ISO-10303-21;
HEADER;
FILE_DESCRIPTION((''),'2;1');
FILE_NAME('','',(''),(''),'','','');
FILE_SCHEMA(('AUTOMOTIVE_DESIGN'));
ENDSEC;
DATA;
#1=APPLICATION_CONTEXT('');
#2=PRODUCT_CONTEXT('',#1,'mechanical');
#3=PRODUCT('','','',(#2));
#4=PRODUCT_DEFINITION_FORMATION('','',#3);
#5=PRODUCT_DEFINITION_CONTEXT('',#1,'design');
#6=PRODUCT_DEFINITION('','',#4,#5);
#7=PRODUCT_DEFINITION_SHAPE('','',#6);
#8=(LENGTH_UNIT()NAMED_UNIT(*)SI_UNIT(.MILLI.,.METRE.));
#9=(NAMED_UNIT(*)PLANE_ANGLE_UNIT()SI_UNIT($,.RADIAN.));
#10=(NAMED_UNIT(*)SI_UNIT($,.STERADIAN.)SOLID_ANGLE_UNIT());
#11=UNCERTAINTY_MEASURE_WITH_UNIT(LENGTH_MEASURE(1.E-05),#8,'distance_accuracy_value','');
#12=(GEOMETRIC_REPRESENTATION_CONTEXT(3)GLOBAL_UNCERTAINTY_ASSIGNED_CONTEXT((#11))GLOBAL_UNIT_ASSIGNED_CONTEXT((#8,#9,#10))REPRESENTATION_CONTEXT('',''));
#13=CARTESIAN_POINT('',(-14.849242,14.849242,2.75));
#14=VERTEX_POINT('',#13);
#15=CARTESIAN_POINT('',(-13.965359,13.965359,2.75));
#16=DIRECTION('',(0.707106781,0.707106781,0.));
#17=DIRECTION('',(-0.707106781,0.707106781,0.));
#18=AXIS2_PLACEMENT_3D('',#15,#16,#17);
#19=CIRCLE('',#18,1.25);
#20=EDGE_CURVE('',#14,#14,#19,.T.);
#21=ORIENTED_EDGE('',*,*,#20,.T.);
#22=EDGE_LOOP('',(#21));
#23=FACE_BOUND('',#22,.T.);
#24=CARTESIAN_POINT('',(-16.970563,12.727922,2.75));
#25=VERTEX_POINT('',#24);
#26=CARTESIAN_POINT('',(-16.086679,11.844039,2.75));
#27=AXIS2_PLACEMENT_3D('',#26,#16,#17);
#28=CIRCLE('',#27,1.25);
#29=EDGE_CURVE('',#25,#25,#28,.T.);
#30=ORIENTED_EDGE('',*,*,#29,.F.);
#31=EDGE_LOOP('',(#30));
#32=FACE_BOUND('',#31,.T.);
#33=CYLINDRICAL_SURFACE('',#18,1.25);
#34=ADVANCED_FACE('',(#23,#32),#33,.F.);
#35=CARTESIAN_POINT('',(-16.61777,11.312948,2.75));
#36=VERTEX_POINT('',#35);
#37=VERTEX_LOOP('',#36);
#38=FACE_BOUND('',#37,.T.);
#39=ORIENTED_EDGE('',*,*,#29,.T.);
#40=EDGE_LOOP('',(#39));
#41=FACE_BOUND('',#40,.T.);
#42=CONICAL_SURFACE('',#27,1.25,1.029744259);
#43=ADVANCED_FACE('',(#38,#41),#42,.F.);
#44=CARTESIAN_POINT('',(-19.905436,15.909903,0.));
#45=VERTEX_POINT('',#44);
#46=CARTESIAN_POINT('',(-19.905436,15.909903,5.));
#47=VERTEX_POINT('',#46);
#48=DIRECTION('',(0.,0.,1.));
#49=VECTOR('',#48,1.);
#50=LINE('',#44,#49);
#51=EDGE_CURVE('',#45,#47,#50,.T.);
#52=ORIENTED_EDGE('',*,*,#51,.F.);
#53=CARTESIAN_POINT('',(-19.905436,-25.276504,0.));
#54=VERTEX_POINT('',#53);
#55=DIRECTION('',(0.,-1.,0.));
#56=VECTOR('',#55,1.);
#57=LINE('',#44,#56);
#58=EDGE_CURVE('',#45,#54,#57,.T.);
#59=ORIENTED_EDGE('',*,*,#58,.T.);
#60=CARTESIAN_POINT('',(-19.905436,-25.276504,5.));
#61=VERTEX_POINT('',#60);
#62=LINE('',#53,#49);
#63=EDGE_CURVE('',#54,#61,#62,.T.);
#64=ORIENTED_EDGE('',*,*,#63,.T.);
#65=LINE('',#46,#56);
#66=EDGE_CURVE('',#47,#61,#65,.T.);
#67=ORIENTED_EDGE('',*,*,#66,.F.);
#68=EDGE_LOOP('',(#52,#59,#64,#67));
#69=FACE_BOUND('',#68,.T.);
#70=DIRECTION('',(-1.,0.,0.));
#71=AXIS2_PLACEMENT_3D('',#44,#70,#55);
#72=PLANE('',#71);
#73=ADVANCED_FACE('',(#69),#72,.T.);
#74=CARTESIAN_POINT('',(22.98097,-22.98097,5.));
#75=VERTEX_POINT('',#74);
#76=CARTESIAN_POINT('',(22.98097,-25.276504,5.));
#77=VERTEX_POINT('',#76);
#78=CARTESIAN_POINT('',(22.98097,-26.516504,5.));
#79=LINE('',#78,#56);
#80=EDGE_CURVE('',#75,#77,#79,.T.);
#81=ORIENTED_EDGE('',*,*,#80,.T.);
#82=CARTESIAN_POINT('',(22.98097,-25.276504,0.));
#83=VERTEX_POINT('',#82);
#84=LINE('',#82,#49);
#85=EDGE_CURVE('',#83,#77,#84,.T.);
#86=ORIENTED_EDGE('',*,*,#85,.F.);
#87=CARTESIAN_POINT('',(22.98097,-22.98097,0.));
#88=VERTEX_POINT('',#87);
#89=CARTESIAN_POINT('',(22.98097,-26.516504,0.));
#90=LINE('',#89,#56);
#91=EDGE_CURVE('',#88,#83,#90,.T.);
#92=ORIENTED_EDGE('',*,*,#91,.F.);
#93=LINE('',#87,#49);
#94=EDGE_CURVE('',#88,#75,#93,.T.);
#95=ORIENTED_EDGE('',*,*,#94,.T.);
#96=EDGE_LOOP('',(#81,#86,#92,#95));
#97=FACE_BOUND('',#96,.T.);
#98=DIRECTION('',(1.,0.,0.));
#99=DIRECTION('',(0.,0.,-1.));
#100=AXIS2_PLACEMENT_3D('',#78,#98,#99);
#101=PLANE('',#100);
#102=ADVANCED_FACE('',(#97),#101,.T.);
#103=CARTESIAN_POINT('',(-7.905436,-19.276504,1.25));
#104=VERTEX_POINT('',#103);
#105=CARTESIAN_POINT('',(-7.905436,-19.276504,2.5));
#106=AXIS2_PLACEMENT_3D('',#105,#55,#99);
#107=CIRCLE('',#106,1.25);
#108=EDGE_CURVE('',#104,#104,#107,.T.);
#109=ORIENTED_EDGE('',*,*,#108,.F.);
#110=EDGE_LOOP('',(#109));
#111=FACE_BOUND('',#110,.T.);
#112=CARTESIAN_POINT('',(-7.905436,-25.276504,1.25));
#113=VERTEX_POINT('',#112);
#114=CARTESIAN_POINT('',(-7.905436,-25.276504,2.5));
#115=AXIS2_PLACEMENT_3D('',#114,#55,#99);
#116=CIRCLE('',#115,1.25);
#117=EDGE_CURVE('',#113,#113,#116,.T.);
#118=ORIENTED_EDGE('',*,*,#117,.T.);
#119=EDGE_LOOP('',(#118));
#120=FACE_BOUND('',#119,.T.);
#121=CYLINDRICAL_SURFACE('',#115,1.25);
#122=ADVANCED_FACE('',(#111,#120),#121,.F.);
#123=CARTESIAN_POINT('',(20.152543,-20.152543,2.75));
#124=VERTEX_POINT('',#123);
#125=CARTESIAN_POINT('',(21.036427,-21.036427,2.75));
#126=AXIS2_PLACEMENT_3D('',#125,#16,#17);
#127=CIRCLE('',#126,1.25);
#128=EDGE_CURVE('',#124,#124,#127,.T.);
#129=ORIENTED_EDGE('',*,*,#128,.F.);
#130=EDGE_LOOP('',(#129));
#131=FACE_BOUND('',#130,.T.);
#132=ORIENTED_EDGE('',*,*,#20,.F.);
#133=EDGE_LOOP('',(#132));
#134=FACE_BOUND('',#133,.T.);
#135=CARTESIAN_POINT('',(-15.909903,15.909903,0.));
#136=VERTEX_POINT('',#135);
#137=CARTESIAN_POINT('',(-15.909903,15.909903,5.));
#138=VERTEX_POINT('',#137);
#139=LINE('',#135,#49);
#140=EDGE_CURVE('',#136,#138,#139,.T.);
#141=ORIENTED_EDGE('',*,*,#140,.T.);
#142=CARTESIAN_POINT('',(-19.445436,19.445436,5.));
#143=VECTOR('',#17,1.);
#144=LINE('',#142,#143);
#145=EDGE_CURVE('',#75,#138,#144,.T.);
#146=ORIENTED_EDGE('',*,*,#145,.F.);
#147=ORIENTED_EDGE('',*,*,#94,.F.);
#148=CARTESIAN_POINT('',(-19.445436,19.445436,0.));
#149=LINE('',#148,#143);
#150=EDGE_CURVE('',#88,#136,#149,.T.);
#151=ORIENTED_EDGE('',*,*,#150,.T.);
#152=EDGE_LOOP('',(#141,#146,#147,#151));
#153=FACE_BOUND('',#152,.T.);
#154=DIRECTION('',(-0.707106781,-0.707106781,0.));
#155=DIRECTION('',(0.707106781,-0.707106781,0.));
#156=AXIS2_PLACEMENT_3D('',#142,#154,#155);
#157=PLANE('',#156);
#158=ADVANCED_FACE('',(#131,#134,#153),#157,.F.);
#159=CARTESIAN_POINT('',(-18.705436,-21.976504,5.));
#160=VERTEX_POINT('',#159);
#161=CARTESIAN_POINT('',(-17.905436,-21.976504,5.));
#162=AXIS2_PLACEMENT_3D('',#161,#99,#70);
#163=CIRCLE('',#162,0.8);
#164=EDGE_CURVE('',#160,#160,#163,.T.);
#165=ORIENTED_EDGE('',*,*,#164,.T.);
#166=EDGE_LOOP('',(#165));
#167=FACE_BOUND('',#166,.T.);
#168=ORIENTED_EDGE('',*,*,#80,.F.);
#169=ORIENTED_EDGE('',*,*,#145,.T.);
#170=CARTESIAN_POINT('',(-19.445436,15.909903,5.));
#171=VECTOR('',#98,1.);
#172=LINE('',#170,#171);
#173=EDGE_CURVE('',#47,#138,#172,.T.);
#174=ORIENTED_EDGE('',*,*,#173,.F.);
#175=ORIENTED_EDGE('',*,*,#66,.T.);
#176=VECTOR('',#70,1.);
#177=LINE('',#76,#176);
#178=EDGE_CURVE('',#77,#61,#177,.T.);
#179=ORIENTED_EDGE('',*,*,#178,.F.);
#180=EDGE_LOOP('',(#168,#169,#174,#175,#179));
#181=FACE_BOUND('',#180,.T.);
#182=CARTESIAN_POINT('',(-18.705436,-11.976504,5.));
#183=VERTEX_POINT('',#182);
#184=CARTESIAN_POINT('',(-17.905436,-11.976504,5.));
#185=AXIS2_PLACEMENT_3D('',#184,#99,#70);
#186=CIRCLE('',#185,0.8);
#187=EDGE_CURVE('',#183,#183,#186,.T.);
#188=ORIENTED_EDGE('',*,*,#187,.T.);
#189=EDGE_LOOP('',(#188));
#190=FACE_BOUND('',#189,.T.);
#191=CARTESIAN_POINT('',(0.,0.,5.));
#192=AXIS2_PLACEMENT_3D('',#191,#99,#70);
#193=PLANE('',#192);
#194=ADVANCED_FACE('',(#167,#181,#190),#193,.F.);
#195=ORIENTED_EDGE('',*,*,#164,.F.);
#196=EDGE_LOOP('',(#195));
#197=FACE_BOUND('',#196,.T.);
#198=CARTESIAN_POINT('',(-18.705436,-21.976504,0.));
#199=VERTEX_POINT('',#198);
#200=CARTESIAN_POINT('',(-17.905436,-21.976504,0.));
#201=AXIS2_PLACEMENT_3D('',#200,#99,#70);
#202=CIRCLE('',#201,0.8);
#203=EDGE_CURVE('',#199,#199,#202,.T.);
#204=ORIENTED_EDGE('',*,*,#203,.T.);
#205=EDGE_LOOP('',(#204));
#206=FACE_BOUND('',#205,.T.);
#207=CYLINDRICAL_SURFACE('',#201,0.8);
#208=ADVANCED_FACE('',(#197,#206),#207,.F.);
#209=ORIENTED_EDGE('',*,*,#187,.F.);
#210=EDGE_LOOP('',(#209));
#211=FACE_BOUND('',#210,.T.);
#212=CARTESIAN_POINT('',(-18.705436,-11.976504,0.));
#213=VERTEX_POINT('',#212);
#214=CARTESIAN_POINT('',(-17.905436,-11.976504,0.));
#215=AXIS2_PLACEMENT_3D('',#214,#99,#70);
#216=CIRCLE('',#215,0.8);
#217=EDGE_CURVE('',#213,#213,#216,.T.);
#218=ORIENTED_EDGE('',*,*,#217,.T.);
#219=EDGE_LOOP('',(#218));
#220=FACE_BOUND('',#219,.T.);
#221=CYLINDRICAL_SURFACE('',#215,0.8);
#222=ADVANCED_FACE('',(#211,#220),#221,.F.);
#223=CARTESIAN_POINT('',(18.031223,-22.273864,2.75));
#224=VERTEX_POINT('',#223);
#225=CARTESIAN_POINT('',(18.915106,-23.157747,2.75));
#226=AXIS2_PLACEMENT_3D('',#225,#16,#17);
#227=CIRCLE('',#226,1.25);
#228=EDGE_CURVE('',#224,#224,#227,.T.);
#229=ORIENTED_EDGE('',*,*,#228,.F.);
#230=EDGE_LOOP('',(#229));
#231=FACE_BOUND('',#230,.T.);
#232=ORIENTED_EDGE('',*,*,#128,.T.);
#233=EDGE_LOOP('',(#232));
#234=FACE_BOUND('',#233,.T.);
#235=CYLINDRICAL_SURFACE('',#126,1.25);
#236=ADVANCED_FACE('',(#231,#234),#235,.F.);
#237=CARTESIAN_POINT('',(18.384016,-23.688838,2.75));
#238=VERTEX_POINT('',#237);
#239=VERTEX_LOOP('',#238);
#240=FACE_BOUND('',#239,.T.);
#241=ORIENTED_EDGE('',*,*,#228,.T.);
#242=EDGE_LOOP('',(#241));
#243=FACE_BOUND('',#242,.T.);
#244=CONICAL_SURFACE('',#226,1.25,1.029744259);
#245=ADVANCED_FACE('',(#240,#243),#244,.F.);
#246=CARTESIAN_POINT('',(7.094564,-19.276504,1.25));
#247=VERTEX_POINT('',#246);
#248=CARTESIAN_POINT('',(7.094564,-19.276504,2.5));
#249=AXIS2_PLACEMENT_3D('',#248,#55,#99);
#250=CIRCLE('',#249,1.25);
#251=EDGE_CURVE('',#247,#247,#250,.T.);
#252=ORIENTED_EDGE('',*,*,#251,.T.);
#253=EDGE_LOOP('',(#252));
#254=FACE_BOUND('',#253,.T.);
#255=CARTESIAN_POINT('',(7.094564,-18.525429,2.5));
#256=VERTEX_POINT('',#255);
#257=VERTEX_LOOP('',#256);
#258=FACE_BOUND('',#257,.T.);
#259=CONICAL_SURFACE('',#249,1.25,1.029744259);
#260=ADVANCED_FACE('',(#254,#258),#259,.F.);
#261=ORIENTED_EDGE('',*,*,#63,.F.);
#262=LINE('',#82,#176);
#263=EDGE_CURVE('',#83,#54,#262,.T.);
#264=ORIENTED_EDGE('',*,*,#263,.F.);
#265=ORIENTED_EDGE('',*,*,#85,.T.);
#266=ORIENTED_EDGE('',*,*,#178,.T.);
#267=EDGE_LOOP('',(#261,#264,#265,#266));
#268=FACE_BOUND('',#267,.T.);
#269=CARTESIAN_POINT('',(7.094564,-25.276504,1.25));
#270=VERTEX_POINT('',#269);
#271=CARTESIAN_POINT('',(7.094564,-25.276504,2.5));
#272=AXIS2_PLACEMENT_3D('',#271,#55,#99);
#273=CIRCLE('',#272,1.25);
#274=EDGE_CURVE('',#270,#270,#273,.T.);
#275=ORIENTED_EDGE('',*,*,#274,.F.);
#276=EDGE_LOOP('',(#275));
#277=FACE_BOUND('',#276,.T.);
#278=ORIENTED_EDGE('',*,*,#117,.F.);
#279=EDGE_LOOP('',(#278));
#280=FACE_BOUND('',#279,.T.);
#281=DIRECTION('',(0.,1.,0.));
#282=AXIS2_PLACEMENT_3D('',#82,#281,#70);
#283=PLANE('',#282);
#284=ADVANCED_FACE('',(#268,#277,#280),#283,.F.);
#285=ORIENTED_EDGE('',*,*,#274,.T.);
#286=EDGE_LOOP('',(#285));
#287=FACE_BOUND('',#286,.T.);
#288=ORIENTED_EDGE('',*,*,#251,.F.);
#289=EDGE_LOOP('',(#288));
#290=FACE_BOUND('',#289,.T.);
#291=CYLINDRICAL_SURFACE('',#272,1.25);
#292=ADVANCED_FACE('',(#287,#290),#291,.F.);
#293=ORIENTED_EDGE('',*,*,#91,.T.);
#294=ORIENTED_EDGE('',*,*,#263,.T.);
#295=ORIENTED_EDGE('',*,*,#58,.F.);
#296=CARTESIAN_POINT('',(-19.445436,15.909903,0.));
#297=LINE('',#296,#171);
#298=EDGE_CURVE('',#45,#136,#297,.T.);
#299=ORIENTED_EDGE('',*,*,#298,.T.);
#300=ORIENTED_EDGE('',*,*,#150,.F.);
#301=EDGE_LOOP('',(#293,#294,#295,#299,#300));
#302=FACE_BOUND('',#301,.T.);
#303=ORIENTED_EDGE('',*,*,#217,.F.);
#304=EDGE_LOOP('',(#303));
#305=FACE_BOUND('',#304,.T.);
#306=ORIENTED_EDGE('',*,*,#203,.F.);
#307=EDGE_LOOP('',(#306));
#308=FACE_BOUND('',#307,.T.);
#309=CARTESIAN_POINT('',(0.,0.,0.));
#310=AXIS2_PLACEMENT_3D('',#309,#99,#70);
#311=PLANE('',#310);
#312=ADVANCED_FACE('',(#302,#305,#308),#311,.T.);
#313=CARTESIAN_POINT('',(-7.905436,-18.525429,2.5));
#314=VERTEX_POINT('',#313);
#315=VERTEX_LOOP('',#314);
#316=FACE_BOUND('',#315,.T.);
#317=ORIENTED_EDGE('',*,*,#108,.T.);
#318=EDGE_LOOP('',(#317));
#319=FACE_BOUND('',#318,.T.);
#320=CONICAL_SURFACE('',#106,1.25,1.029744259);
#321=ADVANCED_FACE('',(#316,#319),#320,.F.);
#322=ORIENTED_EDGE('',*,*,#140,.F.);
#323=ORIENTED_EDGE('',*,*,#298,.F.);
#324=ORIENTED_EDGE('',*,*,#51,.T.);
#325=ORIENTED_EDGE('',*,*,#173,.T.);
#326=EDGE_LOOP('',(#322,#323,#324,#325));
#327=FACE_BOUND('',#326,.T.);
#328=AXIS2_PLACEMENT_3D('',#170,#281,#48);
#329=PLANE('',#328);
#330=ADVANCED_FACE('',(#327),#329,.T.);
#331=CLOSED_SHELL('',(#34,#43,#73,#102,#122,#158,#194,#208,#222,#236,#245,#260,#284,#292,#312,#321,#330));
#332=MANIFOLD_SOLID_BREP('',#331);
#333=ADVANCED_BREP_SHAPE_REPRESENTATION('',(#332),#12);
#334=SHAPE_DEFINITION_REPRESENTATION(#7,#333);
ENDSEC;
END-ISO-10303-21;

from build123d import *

# Parameters (mm, degrees)
BOSS_EXTRUDE1_DEPTH       = 5
M3X0_5_TAPPED_HOLE1_D     = 2.5
M3X0_5_TAPPED_HOLE1_DEPTH = 3
M3X0_5_TAPPED_HOLE1_TIP   = 0.751075774
BOSS_EXTRUDE2_DEPTH       = 5
CUT_EXTRUDE1_DEPTH        = 6
BOSS_EXTRUDE3_DEPTH       = 5
SKETCH12_W                = 42.426406872
SKETCH12_H                = 0.46
BOSS_EXTRUDE4_DEPTH       = 5
SKETCH13_W                = 0.46
SKETCH13_H                = 42.886406871
BOSS_EXTRUDE5_DEPTH       = 5
M2X0_4_TAPPED_HOLE1_D     = 1.6
SKETCH20_W                = 42.886406872
SKETCH20_H                = 1.7
CUT_EXTRUDE2_DEPTH        = 6
M3X0_5_TAPPED_HOLE3_D     = 2.5
M3X0_5_TAPPED_HOLE3_DEPTH = 6
M3X0_5_TAPPED_HOLE3_TIP   = 0.751075774


with BuildPart() as part:
    # Sketch2 → Boss-Extrude1 (new body)
    with BuildSketch(Plane.XY):
        Polygon((-19.445436483, 19.445436483), (26.516504294, -26.516504294), (-19.445436483, -26.516504294), align=None)
    extrude(amount=BOSS_EXTRUDE1_DEPTH)

    # M3x0.5 Tapped Hole1
    with Locations(Plane(origin=(0, 0, 0), x_dir=(0, 0, -1), z_dir=(0.707106781, 0.707106781, 0))):
        with Locations((-2.75, 19.75), (-2.75, -29.75)):
            Hole(M3X0_5_TAPPED_HOLE1_D / 2, depth=M3X0_5_TAPPED_HOLE1_DEPTH)
            with Locations((0, 0, -(M3X0_5_TAPPED_HOLE1_DEPTH + M3X0_5_TAPPED_HOLE1_TIP / 2))):  # 118° drill point
                Cone(0, M3X0_5_TAPPED_HOLE1_D / 2, M3X0_5_TAPPED_HOLE1_TIP, mode=Mode.SUBTRACT)

    # Sketch6 → Boss-Extrude2 (add, through all)
    with BuildSketch(Plane.XY.offset(5)):
        Polygon((-19.445436483, 19.445436483), (-15.909902577, 15.909902577), (-14.495689014, 17.324116139), (-18.03122292, 20.859650045), align=None)
        Polygon((26.516504294, -26.516504294), (22.980970389, -22.980970389), (24.395183951, -21.566756826), (27.930717857, -25.102290732), align=None)
    extrude(amount=-BOSS_EXTRUDE2_DEPTH)

    # Sketch7 → Cut-Extrude1 (cut, through all)
    with BuildSketch(Plane.XY.offset(5)):
        Polygon((-18.03122292, 20.859650045), (-14.495689014, 17.324116139), (-19.445436483, 12.374368671), (-19.445436483, 19.445436483), align=None)
        Polygon((24.395183951, -21.566756826), (19.445436483, -26.516504294), (26.516504294, -26.516504294), (27.930717857, -25.102290732), align=None)
    extrude(amount=-CUT_EXTRUDE1_DEPTH, mode=Mode.SUBTRACT)

    # Sketch11 → Boss-Extrude3 (add, through all)
    with BuildSketch(Plane(origin=(0, 0, 0), x_dir=(-1, 0, 0), z_dir=(0, 0, -1))):
        Polygon((-19.445436483, -26.516504294), (-22.980970389, -26.516504294), (-22.980970389, -22.980970389), align=None)
        Polygon((19.445436483, 12.374368671), (19.445436483, 15.909902577), (15.909902577, 15.909902577), align=None)
    extrude(amount=-BOSS_EXTRUDE3_DEPTH)

    # Sketch12 → Boss-Extrude4 (add, through all)
    with BuildSketch(Plane.XY.offset(5)):
        with Locations((1.767766953, -26.746504294)):
            Rectangle(SKETCH12_W, SKETCH12_H)
    extrude(amount=-BOSS_EXTRUDE4_DEPTH)

    # Sketch13 → Boss-Extrude5 (add, through all)
    with BuildSketch(Plane.XY.offset(5)):
        with Locations((-19.675436483, -5.533300859)):
            Rectangle(SKETCH13_W, SKETCH13_H)
    extrude(amount=-BOSS_EXTRUDE5_DEPTH)

    # M2x0.4 Tapped Hole1 (through all)
    with Locations(Plane(origin=(0, 0, 0), x_dir=(-1, 0, 0), z_dir=(0, 0, -1))):
        with Locations((17.905436483, -11.976504294), (17.905436483, -21.976504294)):
            Hole(M2X0_4_TAPPED_HOLE1_D / 2)

    # Sketch20 → Cut-Extrude2 (cut, through all)
    with BuildSketch(Plane.XY.offset(5)):
        with Locations((1.537766953, -26.126504294)):
            Rectangle(SKETCH20_W, SKETCH20_H)
    extrude(amount=-CUT_EXTRUDE2_DEPTH, mode=Mode.SUBTRACT)

    # M3x0.5 Tapped Hole3
    with Locations(Plane(origin=(0, -25.276504294, 0), x_dir=(-1, 0, 0), z_dir=(0, -1, 0))):
        with Locations((7.905436483, -2.5), (-7.094563517, -2.5)):
            Hole(M3X0_5_TAPPED_HOLE3_D / 2, depth=M3X0_5_TAPPED_HOLE3_DEPTH)
            with Locations((0, 0, -(M3X0_5_TAPPED_HOLE3_DEPTH + M3X0_5_TAPPED_HOLE3_TIP / 2))):  # 118° drill point
                Cone(0, M3X0_5_TAPPED_HOLE3_D / 2, M3X0_5_TAPPED_HOLE3_TIP, mode=Mode.SUBTRACT)


solid = part.part
